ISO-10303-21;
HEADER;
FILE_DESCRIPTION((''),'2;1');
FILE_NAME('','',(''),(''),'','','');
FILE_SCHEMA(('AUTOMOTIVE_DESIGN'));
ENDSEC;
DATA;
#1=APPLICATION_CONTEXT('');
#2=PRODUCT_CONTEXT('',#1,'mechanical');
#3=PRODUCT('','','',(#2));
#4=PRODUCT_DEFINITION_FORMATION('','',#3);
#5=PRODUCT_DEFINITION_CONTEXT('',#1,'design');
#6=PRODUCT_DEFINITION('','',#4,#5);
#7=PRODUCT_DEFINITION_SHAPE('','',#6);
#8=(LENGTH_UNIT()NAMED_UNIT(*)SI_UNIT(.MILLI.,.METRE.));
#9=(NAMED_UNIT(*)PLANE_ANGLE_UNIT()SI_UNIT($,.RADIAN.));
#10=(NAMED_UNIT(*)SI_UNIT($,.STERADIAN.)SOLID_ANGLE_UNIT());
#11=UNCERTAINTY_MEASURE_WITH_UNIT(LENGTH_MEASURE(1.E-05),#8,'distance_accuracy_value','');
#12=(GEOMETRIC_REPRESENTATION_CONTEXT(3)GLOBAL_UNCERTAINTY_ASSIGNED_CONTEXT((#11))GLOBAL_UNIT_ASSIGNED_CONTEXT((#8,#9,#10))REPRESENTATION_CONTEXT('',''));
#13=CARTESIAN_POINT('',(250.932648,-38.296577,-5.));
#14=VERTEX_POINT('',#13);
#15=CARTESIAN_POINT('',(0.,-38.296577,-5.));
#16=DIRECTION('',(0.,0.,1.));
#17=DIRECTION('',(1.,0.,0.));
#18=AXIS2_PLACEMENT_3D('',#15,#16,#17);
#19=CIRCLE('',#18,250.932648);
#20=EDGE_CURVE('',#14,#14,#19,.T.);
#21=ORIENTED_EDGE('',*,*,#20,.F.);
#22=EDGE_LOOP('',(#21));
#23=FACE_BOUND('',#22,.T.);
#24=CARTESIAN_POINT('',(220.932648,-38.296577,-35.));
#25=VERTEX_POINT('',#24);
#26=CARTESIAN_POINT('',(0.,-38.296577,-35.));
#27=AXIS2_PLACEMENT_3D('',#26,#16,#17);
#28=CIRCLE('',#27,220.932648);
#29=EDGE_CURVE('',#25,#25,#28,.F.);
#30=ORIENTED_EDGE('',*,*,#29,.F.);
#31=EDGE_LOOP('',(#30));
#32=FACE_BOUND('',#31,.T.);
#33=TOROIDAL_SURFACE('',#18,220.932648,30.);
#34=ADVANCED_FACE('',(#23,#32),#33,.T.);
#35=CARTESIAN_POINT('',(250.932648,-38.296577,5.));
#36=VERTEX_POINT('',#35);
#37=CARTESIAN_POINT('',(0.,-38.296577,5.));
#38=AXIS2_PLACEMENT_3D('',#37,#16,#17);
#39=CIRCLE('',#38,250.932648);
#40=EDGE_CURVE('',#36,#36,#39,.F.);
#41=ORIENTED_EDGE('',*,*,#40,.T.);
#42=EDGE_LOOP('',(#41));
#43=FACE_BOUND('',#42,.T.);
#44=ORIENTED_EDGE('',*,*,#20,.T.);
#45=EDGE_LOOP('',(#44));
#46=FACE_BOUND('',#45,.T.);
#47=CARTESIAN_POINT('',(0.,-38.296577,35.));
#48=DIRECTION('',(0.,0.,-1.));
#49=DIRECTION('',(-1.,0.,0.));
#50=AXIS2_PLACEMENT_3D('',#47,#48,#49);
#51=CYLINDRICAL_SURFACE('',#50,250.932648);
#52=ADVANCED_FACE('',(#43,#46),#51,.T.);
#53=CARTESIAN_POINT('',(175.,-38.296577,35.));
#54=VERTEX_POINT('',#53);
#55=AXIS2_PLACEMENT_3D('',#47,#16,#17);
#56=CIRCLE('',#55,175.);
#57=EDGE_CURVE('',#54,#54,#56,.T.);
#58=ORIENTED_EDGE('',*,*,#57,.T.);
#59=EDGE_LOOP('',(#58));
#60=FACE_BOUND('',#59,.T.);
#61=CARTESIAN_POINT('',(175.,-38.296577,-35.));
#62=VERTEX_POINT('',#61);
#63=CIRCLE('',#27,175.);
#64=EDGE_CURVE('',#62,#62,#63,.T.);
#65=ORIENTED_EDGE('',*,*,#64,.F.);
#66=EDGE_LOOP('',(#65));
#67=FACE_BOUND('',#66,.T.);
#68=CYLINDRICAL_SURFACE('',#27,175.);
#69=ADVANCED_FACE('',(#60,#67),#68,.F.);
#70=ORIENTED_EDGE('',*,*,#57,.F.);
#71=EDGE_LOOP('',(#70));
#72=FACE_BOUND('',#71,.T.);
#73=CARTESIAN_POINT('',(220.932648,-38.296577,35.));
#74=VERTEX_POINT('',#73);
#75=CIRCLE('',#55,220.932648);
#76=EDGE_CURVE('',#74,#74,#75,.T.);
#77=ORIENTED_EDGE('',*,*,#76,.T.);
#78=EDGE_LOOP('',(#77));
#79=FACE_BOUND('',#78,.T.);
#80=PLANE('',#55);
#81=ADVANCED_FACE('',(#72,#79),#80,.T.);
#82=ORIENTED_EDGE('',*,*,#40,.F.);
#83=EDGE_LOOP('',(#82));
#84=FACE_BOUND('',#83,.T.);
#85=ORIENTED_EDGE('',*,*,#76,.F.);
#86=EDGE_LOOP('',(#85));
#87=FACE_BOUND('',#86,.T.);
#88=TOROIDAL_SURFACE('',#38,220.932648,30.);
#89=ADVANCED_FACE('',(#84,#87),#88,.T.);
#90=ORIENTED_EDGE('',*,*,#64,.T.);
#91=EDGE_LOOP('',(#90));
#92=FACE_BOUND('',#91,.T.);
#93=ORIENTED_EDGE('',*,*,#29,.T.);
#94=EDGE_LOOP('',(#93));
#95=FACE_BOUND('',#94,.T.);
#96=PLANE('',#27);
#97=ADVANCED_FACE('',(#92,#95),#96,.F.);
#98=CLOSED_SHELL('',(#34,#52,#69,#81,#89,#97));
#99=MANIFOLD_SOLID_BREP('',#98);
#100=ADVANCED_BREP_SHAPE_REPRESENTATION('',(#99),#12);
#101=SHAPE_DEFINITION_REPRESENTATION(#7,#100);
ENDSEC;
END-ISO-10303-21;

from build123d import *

# Parameters (mm, degrees)
SKETCH1_R           = 250.932647595
BOSS_EXTRUDE1_DEPTH = 35
FILLET1_R           = 30
SKETCH2_R           = 175
CUT_EXTRUDE1_DEPTH  = 70


with BuildPart() as part:
    # Sketch1 → Boss-Extrude1 (new, symmetric)
    with BuildSketch(Plane.XY):
        with Locations((0, -38.296576895)):
            Circle(SKETCH1_R)
    extrude(amount=BOSS_EXTRUDE1_DEPTH, both=True)

    # Fillet1
    fillet1_edges = [part.edges().sort_by_distance(p)[0] for p in [
        (-250.932647595, -38.296576895, -35),
        (-250.932647595, -38.296576895, 35),
    ]]
    fillet(fillet1_edges, radius=FILLET1_R)

    # Sketch2 → Cut-Extrude1 (cut)
    with BuildSketch(Plane.XY.offset(35)):
        with Locations((0, -38.296576895)):
            Circle(SKETCH2_R)
    extrude(amount=-CUT_EXTRUDE1_DEPTH, mode=Mode.SUBTRACT)


solid = part.part
